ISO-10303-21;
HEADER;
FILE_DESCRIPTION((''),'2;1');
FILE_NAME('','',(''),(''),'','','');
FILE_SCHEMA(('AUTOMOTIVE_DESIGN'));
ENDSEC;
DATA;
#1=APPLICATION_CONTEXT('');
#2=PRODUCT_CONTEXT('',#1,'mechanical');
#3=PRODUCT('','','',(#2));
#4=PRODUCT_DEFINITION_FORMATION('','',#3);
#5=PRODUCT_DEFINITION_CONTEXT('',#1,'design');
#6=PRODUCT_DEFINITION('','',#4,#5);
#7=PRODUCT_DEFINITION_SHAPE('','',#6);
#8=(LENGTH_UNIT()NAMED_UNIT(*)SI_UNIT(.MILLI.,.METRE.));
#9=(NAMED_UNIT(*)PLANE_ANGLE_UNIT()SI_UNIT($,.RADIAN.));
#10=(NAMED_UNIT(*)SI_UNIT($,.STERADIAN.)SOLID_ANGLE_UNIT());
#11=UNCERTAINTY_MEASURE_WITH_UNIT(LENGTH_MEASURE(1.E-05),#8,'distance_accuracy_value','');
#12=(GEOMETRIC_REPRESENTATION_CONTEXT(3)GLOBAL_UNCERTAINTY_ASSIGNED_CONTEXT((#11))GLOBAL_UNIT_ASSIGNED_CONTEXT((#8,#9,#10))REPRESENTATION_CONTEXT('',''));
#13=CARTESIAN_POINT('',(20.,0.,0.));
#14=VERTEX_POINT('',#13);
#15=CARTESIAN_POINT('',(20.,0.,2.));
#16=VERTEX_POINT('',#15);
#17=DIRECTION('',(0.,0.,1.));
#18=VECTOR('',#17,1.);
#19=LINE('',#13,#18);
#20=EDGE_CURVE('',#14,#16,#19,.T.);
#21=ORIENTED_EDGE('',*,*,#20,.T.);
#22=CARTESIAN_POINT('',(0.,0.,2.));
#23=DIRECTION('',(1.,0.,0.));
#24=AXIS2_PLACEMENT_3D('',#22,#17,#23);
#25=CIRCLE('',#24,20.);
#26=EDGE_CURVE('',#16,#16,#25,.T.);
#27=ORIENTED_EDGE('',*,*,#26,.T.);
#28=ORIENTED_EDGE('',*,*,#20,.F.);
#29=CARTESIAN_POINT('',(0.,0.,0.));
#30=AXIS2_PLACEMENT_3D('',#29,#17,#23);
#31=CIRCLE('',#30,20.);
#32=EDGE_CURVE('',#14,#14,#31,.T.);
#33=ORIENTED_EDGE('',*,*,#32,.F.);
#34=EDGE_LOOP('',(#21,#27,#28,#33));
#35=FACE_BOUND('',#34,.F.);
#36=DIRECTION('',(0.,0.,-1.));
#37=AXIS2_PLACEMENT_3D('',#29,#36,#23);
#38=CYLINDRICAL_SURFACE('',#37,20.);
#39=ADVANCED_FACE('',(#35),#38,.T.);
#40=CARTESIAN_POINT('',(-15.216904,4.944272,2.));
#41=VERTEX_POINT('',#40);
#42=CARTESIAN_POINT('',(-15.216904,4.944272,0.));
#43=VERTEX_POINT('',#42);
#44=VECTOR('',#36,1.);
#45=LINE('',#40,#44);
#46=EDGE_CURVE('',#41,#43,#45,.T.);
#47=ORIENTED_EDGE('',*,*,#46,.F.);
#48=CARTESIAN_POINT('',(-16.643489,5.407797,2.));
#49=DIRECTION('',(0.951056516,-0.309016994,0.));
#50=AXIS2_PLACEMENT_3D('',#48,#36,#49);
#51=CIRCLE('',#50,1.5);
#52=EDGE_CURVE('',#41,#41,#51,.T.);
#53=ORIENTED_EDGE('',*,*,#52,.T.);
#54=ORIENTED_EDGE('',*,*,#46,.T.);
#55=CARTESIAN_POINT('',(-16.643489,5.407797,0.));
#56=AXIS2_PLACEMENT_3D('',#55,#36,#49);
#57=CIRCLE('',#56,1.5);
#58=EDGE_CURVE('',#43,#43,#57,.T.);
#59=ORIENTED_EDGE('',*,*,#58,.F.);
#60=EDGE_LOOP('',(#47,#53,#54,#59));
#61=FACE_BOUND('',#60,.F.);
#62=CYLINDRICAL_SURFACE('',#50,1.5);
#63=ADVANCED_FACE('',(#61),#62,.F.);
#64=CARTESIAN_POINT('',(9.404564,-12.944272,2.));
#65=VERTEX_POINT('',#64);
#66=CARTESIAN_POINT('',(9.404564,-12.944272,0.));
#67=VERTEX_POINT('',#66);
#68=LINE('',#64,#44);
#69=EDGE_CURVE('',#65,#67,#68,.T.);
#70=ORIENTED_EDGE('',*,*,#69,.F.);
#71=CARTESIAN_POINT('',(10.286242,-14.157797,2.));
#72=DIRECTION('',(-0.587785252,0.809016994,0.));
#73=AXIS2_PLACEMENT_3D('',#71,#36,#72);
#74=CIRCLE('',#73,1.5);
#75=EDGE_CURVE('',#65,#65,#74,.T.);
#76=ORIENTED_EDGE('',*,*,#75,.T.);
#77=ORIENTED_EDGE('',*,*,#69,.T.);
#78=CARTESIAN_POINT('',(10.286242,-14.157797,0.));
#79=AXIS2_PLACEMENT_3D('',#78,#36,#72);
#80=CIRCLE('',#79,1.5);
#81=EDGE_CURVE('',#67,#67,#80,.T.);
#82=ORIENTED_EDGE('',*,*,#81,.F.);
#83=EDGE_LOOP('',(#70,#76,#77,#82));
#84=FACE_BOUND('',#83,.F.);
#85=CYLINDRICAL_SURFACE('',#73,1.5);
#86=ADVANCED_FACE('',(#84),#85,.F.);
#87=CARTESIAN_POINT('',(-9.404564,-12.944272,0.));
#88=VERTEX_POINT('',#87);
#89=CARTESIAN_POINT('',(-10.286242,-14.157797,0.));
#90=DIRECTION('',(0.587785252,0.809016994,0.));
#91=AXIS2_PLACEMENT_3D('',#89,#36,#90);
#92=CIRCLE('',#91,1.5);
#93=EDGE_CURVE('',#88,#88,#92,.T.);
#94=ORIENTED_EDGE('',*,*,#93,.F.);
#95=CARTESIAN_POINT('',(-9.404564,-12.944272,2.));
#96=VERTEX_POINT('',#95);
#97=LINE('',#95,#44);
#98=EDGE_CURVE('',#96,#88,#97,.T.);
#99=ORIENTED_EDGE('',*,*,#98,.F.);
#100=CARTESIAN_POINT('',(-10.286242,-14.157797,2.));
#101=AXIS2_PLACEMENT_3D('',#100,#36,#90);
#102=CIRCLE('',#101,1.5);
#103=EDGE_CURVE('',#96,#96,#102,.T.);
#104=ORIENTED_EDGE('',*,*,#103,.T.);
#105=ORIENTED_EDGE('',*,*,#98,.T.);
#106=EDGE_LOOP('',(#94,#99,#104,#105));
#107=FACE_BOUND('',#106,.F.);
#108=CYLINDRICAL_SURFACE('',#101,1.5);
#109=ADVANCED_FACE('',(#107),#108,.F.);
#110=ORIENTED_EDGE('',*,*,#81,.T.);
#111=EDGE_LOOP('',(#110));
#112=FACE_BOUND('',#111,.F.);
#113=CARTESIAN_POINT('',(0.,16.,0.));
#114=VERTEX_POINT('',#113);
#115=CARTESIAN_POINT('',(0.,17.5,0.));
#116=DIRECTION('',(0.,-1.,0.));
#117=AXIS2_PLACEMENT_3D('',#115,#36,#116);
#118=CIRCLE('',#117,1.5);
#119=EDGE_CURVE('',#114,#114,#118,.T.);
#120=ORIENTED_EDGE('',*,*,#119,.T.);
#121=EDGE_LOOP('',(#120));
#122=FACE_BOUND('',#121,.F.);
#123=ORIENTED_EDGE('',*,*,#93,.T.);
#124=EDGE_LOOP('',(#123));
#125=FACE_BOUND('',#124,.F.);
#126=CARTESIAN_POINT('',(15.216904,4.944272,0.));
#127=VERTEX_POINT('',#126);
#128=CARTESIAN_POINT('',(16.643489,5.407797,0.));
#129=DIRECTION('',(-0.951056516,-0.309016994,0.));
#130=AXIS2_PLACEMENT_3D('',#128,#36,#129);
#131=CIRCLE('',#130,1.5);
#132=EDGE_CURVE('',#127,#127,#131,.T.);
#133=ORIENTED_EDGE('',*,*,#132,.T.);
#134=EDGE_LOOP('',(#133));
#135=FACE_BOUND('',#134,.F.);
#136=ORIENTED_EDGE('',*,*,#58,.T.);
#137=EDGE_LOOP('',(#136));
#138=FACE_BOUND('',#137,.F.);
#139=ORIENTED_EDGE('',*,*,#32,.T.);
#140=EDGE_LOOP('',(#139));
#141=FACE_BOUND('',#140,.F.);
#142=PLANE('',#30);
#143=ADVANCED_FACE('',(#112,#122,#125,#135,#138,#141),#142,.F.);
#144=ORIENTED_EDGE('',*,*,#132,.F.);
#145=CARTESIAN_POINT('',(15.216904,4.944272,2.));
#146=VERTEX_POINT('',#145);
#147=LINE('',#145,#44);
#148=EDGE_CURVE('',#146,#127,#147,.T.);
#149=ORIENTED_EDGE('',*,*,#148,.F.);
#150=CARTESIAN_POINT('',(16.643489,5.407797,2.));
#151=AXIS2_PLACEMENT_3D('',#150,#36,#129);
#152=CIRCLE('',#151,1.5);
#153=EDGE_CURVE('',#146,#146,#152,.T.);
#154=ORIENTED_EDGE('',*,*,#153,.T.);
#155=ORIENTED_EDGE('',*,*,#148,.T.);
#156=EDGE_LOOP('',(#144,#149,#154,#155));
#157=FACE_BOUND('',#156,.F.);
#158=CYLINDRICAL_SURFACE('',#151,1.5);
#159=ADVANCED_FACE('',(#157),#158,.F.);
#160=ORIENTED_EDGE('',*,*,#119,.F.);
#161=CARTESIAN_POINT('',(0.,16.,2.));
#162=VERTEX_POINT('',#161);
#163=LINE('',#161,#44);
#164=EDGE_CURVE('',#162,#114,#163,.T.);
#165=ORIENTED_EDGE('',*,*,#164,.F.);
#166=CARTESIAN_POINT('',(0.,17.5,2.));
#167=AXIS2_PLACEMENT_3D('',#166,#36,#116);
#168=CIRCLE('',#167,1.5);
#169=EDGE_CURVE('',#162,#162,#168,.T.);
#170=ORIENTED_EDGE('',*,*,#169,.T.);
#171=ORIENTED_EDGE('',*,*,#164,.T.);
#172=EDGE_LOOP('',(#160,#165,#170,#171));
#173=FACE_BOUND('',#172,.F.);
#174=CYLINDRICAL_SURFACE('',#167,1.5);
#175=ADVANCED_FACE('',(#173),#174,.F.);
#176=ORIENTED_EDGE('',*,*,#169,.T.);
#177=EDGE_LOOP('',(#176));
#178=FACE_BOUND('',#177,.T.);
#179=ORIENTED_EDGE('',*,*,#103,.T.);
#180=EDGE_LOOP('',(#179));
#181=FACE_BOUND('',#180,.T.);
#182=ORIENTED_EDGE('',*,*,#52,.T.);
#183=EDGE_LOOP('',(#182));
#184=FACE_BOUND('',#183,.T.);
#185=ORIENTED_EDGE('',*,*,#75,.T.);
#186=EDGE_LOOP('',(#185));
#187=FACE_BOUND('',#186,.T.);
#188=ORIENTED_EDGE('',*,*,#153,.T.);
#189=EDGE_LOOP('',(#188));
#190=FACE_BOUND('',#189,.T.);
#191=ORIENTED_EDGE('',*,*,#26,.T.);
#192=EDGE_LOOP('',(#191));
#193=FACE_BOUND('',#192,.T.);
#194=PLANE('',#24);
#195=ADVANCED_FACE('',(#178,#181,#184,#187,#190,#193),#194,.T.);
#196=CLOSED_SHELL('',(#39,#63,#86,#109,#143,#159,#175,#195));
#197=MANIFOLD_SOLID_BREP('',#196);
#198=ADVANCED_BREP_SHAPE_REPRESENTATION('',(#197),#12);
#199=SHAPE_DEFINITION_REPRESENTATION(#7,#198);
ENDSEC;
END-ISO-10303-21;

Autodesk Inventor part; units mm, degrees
ref_plane "YZ Plane" through (0, 0, 0) normal (1, 0, 0) x (0, 1, 0)
ref_plane "XZ Plane" through (0, 0, 0) normal (0, 1, 0) x (-1, 0, 0)
ref_plane "XY Plane" through (0, 0, 0) normal (0, 0, 1) x (1, 0, 0)
sketch "Sketch1" plane through (0, 0, 0) normal (0, 0, 1) x (1, 0, 0)
  circle A0 centre (0, 0) radius 20
  dimension "d0" = 40
extrude "Extrusion1" add sketch "Sketch1" along normal blind 2
sketch "Sketch2" plane through (0, 0, 2) normal (0, 0, 1) x (1, 0, 0)
  circle A0 centre (0, 0) radius 17.5 construction
  point P0 (0, 17.5)
  dimension "d3" = 35
hole "Hole1" at (0, 17.5, 2) direction (0, 0, -1) diameter 3 depth 2
pattern_circular "Circular Pattern1" count 5 over 360 about axis through (0, 0, 0) along (0, 0, 1) of "Hole1"
properties part number "35" material "Copper, Alloy"
